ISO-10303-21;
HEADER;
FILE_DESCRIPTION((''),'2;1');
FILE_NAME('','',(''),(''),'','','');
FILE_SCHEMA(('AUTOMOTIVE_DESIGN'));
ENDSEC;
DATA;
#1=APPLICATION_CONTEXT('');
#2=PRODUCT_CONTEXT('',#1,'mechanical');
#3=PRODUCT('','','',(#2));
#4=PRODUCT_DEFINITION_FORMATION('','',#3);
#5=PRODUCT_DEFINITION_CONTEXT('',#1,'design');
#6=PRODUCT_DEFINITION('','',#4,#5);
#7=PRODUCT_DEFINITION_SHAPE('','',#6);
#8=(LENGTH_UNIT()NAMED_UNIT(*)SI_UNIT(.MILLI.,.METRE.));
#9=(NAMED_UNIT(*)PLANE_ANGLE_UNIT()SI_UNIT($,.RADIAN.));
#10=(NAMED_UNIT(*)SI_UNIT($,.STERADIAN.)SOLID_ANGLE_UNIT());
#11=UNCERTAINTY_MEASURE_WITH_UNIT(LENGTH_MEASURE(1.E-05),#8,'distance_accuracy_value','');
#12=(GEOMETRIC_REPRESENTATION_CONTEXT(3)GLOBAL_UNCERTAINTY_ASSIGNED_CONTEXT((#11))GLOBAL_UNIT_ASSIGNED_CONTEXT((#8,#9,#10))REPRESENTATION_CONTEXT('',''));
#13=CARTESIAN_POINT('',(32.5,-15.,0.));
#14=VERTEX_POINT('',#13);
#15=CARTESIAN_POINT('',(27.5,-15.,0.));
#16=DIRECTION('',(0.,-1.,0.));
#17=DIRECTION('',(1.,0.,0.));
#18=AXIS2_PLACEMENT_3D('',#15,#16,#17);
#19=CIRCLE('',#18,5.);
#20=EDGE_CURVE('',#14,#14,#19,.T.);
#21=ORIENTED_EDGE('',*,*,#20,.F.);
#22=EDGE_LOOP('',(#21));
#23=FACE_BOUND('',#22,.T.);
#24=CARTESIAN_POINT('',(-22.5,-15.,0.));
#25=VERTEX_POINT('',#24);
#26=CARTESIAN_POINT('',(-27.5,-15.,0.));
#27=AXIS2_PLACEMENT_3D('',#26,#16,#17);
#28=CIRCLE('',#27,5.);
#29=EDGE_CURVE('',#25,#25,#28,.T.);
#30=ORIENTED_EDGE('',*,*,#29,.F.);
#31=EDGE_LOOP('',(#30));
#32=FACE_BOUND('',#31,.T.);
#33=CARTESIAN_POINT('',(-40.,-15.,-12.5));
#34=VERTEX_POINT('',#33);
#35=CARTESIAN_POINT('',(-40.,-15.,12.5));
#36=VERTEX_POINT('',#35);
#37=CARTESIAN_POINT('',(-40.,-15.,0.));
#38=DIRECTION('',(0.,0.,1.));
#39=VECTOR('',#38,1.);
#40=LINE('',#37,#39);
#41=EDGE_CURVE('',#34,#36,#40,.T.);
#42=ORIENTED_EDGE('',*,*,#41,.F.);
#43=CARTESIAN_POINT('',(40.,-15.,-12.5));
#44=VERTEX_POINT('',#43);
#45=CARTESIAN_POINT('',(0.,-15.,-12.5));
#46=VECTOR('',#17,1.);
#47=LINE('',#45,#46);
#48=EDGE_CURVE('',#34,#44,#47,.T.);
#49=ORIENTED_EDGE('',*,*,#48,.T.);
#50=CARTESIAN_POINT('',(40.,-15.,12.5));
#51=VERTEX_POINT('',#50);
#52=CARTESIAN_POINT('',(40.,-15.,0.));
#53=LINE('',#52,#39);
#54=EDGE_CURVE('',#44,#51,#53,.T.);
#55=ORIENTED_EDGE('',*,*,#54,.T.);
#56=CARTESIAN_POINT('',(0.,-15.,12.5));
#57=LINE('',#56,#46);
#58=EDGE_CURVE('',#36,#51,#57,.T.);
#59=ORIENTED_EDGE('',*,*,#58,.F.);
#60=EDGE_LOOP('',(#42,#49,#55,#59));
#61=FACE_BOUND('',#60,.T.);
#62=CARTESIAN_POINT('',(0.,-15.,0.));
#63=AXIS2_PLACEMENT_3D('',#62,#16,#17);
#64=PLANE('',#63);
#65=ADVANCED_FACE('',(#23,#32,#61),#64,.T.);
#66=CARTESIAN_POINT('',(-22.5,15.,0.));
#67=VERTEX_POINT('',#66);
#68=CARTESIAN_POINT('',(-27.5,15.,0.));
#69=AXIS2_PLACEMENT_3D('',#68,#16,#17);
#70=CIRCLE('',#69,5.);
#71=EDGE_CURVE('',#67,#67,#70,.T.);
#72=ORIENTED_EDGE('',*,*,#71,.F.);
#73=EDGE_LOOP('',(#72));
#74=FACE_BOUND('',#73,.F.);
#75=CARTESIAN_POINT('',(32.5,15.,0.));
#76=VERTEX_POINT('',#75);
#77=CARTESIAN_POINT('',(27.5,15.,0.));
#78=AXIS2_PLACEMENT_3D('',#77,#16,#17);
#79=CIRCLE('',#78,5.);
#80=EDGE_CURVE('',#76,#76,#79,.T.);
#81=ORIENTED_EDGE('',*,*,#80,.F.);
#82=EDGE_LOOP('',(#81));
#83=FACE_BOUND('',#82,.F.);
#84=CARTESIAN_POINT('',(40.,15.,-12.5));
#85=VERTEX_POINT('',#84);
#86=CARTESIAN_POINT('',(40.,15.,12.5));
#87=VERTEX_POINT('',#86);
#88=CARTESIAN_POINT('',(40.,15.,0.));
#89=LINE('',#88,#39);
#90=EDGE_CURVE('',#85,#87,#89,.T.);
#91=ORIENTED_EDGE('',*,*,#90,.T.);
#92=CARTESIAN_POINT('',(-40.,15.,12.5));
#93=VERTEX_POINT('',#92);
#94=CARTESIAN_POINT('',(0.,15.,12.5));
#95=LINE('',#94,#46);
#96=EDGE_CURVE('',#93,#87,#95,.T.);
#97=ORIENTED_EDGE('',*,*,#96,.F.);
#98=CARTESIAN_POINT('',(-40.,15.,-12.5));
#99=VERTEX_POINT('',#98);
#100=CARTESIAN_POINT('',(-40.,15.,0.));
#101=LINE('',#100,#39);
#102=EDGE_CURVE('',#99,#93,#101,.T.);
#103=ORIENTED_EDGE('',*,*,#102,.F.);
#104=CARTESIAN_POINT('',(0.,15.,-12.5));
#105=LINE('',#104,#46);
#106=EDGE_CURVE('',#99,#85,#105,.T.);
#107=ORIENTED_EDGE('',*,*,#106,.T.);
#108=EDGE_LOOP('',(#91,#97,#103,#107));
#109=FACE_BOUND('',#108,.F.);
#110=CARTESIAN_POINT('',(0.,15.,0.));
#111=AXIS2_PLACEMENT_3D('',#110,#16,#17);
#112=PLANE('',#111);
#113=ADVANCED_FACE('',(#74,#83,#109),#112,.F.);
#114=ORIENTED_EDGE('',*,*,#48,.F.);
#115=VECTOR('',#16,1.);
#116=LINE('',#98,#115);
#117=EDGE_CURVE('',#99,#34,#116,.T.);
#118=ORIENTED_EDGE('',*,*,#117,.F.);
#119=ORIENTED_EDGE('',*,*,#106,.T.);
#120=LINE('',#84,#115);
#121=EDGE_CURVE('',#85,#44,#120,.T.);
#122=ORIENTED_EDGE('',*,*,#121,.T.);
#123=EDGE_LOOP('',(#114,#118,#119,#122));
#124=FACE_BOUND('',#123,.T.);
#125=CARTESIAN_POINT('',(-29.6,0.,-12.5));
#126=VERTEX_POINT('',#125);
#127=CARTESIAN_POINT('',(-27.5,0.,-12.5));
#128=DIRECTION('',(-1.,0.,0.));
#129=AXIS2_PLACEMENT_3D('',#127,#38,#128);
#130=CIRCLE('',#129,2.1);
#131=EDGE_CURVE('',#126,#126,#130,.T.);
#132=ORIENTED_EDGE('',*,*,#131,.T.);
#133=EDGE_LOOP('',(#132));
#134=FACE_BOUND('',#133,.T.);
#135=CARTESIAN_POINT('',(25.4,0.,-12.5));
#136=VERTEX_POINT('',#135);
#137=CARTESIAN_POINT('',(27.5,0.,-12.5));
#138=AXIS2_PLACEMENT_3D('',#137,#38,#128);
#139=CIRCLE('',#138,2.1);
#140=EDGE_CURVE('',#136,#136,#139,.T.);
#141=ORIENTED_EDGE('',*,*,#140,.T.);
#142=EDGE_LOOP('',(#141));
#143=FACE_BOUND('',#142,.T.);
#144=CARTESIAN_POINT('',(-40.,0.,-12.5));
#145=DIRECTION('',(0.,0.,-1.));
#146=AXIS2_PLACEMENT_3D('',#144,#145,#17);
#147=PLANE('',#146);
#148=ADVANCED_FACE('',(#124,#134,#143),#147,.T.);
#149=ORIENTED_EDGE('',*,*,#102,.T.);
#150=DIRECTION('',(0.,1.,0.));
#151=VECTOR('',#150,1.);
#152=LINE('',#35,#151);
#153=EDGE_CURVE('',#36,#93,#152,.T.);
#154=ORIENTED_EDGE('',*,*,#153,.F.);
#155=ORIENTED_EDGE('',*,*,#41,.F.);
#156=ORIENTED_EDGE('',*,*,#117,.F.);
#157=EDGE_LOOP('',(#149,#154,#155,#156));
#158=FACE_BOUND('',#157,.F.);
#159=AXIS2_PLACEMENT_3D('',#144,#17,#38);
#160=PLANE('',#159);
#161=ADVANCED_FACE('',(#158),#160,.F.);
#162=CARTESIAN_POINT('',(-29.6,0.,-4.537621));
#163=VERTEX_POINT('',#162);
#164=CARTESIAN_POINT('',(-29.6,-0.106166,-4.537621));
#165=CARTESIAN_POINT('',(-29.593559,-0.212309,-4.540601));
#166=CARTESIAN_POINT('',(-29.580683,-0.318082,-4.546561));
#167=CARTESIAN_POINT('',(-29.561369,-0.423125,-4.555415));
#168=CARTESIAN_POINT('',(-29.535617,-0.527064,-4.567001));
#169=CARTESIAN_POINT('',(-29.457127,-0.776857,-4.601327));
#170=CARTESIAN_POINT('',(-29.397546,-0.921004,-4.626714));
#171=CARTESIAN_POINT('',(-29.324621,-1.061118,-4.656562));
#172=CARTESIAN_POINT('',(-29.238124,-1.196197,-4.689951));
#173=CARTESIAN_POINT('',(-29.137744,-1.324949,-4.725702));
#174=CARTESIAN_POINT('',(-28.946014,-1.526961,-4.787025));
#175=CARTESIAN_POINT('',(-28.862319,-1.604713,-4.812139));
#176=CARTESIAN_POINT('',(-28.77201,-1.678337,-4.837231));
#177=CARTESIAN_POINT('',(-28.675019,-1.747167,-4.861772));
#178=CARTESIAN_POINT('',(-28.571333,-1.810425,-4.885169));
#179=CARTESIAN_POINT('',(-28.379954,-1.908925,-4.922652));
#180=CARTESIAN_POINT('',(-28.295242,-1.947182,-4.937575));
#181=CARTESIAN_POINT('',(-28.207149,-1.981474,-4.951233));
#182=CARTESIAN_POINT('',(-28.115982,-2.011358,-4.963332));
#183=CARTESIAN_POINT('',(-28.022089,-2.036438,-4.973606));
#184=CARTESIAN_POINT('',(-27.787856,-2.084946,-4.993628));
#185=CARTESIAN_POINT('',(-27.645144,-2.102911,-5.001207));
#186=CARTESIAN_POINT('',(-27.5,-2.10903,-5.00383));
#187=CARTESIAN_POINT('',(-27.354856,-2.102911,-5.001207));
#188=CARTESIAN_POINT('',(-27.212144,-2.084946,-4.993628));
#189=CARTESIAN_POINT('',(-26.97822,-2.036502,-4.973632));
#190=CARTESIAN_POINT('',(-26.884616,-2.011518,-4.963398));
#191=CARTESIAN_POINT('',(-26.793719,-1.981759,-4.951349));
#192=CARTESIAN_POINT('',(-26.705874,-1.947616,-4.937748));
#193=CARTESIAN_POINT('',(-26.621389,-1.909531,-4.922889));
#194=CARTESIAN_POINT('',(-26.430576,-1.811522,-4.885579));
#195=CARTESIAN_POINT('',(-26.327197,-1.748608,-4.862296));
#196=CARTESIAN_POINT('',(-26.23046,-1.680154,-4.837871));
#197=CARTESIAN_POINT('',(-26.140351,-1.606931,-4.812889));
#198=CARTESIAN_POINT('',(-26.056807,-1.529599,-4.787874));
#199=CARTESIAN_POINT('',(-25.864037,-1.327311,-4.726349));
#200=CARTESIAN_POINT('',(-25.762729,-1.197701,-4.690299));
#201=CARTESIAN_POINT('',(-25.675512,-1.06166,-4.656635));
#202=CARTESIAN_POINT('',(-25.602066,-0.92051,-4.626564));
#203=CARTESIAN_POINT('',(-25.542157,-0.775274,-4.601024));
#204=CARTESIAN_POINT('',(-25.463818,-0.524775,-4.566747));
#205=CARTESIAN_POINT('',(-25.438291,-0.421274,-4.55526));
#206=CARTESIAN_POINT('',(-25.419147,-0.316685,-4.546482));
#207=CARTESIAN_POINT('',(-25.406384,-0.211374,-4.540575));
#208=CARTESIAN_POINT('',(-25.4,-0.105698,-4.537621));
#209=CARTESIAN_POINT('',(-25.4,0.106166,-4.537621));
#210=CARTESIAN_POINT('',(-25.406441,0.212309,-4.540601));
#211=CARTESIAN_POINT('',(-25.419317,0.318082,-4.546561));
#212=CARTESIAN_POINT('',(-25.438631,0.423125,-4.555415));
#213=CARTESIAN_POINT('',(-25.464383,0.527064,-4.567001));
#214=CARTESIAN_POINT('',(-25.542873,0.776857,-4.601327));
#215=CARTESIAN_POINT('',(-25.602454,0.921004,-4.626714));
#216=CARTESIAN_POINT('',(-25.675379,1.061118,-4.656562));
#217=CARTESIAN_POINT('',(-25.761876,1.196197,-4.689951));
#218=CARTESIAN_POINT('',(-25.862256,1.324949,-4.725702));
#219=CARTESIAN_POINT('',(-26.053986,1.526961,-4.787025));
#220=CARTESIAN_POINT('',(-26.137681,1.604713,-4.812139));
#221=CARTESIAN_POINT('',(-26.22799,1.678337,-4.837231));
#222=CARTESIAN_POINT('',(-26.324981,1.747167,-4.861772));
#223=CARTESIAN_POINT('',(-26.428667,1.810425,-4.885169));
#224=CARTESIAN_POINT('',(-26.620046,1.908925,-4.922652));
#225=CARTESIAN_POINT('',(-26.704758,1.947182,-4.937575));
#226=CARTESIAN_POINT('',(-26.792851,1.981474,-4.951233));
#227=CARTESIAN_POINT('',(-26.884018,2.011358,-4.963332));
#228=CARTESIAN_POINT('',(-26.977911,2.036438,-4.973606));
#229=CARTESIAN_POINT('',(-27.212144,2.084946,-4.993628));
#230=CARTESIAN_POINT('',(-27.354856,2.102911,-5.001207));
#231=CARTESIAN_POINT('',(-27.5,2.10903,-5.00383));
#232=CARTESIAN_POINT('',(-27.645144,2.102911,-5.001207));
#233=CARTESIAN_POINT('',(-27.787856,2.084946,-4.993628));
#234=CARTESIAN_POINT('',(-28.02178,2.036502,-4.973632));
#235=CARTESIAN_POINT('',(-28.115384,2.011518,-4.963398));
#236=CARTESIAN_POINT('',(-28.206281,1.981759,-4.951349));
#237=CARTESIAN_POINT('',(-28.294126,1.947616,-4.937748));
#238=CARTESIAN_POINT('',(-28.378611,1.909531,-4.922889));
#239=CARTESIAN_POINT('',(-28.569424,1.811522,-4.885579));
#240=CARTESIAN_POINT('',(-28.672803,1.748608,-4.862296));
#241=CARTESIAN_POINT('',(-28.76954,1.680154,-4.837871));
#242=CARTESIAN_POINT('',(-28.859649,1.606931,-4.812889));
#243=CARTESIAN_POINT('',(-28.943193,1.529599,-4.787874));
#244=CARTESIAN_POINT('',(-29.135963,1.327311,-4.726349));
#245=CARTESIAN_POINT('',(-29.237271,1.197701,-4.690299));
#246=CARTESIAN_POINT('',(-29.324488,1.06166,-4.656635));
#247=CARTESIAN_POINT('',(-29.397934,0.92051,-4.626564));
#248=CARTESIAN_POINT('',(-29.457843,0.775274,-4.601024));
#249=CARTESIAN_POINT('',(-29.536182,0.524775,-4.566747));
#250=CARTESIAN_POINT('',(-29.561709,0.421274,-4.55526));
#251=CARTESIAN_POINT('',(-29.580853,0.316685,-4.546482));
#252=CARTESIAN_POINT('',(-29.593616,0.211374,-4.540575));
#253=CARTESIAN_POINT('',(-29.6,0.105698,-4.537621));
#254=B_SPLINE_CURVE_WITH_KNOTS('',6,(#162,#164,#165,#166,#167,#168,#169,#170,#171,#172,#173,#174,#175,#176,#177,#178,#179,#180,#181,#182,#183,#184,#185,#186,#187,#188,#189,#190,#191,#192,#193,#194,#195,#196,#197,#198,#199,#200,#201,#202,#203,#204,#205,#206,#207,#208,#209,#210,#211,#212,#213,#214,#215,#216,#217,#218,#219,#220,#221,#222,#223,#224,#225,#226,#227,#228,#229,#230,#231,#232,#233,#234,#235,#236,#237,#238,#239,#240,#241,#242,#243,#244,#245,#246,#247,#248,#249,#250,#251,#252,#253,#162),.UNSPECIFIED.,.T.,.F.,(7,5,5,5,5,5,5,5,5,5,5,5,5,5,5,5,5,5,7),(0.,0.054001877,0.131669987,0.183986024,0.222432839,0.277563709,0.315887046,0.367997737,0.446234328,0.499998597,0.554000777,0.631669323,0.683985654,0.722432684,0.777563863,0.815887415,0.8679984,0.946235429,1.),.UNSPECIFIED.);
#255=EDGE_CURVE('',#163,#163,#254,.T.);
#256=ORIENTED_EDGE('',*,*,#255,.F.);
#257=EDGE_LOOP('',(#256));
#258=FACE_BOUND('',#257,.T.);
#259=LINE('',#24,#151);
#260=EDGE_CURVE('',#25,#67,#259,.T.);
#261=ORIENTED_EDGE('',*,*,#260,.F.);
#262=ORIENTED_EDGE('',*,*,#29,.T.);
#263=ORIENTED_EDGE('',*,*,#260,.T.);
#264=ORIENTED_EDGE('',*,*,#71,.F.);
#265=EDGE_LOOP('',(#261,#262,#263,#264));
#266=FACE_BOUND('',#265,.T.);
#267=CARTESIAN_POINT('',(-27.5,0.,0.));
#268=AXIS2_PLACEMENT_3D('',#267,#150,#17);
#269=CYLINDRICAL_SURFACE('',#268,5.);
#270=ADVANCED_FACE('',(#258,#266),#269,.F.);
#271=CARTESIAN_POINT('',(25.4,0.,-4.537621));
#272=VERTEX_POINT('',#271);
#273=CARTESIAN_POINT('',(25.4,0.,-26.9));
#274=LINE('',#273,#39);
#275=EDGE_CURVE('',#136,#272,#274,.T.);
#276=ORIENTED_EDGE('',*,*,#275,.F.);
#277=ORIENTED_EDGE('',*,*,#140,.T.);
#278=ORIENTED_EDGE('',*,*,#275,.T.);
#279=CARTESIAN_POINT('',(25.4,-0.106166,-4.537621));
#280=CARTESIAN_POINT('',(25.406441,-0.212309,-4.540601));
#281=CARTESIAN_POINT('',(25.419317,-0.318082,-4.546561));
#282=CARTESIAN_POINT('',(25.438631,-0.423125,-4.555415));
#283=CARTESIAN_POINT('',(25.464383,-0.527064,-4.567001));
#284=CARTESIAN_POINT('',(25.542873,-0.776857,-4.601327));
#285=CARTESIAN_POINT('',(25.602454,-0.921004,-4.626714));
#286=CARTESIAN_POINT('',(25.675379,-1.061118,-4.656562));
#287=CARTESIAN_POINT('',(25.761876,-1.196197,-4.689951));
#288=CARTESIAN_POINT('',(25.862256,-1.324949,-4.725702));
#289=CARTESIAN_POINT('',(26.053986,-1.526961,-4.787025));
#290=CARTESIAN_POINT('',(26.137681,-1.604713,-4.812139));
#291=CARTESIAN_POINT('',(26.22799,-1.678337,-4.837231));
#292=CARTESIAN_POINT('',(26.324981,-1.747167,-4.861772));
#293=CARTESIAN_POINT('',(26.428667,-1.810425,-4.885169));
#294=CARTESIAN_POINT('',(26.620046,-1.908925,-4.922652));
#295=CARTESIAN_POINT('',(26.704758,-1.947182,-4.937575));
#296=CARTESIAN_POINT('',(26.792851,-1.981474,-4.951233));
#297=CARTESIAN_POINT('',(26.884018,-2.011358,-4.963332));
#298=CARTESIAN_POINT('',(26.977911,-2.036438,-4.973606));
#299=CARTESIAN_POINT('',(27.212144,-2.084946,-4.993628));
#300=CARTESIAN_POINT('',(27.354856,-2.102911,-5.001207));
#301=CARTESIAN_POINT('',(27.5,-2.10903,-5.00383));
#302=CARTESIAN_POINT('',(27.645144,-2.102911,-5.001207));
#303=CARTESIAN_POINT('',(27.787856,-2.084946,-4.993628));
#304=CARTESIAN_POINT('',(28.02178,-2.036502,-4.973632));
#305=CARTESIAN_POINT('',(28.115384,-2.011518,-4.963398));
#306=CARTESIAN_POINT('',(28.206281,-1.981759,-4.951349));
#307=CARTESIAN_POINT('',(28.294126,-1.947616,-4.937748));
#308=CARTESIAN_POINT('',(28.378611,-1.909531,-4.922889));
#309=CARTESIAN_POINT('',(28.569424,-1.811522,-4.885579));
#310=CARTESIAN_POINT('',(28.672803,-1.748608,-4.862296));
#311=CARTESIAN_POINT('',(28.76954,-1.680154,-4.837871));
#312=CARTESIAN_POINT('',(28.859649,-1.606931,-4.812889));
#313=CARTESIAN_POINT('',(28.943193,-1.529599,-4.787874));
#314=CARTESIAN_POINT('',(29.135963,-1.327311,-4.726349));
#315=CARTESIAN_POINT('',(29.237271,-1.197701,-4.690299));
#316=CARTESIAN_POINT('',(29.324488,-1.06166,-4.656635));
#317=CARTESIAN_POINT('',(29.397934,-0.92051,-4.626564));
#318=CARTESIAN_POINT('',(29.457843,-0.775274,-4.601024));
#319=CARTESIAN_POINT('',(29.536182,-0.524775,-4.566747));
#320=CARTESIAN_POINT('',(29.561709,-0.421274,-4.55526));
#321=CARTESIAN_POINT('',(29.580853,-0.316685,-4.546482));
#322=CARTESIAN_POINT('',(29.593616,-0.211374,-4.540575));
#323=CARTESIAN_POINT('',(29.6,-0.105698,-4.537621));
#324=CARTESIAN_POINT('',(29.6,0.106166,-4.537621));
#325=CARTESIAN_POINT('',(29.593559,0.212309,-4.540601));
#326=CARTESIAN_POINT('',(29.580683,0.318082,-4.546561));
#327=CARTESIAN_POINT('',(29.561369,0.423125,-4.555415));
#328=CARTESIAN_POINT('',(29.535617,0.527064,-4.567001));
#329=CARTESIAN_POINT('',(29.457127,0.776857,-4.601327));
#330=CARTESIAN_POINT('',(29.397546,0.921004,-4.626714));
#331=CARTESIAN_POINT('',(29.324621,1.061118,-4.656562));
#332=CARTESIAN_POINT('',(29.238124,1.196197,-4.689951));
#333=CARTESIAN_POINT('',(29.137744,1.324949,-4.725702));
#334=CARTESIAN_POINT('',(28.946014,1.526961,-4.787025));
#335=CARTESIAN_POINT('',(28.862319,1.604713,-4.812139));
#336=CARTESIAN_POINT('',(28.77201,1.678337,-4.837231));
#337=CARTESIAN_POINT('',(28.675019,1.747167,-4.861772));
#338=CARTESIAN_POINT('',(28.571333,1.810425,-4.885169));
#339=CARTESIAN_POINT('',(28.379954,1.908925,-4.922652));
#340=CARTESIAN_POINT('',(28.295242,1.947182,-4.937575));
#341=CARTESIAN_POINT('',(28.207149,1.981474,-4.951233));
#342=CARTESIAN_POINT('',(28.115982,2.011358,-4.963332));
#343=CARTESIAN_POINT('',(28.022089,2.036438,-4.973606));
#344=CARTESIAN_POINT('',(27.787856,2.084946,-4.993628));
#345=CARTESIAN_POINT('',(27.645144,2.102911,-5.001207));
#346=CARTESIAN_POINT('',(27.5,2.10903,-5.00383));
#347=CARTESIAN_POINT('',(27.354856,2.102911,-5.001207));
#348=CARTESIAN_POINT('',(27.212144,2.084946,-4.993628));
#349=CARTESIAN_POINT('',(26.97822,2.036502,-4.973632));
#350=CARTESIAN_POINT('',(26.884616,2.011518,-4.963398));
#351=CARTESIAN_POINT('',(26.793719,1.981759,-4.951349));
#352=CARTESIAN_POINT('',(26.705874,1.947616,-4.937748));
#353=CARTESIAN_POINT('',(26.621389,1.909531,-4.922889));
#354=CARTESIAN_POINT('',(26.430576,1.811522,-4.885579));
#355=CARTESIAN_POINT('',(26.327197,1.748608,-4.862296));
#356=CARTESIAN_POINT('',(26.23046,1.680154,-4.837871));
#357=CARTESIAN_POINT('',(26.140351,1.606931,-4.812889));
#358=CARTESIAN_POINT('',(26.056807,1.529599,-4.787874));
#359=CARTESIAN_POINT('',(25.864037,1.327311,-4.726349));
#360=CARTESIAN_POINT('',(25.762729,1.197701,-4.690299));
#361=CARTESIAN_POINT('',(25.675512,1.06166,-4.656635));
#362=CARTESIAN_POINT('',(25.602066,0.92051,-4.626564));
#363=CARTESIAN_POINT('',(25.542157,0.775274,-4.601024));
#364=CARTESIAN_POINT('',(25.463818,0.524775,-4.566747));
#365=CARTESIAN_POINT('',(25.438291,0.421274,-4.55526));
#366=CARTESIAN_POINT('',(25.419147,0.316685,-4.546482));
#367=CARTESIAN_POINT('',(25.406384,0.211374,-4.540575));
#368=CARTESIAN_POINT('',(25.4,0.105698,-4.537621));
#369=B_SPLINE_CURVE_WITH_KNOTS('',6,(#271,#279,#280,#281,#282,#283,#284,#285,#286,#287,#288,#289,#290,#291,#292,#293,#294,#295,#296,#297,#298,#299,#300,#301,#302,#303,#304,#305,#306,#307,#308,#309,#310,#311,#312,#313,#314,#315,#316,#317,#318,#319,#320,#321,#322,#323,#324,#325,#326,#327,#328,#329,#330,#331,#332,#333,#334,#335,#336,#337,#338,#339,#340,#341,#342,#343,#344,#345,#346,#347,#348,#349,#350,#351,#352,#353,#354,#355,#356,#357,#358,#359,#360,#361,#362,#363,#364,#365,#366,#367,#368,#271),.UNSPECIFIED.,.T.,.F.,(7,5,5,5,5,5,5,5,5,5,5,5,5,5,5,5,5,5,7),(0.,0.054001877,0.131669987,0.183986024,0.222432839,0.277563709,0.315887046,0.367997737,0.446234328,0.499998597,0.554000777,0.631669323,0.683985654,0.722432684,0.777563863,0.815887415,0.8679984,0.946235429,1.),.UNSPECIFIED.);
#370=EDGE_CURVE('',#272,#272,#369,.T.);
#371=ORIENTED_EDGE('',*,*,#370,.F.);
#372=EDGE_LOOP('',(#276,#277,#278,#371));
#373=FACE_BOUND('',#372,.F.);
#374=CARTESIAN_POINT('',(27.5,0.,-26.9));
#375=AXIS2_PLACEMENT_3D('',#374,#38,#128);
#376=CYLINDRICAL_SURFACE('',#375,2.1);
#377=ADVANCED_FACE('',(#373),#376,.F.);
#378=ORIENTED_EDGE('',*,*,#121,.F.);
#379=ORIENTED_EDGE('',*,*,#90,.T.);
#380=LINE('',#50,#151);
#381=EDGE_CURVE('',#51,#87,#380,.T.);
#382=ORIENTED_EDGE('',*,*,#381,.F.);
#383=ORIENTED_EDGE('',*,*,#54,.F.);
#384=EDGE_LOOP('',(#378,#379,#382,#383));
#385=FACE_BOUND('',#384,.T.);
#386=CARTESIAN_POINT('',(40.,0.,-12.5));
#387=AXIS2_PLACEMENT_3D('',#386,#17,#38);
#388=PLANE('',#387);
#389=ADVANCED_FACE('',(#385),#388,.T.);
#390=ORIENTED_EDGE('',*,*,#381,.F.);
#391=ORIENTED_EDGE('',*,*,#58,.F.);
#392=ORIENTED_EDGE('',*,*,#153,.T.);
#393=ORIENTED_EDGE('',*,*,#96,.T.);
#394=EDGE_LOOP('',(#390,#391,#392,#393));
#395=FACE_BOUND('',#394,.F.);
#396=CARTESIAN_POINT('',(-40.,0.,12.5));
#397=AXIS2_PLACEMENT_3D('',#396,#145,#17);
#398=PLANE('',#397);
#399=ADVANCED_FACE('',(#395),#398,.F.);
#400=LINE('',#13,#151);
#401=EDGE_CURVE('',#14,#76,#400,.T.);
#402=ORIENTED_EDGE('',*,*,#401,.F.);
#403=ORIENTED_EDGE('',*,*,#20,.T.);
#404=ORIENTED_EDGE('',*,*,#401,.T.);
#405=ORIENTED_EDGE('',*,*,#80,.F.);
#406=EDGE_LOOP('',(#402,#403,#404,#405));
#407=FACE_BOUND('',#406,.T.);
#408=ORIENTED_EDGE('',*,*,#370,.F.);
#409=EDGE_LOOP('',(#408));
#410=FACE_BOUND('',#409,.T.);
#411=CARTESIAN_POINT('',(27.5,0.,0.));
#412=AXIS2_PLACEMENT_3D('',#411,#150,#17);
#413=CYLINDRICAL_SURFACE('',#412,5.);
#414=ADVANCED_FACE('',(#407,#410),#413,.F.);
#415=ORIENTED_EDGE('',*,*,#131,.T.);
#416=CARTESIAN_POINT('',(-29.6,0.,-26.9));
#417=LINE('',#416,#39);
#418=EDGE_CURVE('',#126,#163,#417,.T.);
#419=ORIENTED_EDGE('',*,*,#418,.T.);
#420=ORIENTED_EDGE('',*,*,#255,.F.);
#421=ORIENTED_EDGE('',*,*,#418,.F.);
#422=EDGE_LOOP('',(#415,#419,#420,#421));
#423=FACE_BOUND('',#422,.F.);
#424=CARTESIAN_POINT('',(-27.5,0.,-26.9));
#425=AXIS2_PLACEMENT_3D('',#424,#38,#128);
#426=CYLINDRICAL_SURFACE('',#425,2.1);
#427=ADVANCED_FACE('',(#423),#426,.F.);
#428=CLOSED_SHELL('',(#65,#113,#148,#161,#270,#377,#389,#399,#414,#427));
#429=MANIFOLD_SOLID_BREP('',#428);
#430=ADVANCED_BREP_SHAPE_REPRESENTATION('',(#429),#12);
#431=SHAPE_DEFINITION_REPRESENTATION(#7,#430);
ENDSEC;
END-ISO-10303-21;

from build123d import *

# Parameters (mm, degrees)
F0_W     = 80
F0_H     = 25
F0_R     = 5
F1_DEPTH = 15
F3_D     = 4.2
F3_DEPTH = 14.4
F3_TIP   = 1.2618073


with BuildPart() as f1:
    # F0 (on Front) → F1 (new body, symmetric)
    with BuildSketch(Plane.XZ):
        Rectangle(F0_W, F0_H)
        with Locations((-27.5, 0)):
            Circle(F0_R, mode=Mode.SUBTRACT)
        with Locations((27.5, 0)):
            Circle(F0_R, mode=Mode.SUBTRACT)
    extrude(amount=F1_DEPTH, both=True)

    # F3
    with Locations(Plane(origin=(0, 0, -12.5), x_dir=(1, 0, 0), z_dir=(0, 0, -1))):
        with Locations((-27.5, 0), (27.5, 0)):
            Hole(F3_D / 2, depth=F3_DEPTH)
            with Locations((0, 0, -(F3_DEPTH + F3_TIP / 2))):  # 118° drill point
                Cone(0, F3_D / 2, F3_TIP, mode=Mode.SUBTRACT)


solid = f1.part
